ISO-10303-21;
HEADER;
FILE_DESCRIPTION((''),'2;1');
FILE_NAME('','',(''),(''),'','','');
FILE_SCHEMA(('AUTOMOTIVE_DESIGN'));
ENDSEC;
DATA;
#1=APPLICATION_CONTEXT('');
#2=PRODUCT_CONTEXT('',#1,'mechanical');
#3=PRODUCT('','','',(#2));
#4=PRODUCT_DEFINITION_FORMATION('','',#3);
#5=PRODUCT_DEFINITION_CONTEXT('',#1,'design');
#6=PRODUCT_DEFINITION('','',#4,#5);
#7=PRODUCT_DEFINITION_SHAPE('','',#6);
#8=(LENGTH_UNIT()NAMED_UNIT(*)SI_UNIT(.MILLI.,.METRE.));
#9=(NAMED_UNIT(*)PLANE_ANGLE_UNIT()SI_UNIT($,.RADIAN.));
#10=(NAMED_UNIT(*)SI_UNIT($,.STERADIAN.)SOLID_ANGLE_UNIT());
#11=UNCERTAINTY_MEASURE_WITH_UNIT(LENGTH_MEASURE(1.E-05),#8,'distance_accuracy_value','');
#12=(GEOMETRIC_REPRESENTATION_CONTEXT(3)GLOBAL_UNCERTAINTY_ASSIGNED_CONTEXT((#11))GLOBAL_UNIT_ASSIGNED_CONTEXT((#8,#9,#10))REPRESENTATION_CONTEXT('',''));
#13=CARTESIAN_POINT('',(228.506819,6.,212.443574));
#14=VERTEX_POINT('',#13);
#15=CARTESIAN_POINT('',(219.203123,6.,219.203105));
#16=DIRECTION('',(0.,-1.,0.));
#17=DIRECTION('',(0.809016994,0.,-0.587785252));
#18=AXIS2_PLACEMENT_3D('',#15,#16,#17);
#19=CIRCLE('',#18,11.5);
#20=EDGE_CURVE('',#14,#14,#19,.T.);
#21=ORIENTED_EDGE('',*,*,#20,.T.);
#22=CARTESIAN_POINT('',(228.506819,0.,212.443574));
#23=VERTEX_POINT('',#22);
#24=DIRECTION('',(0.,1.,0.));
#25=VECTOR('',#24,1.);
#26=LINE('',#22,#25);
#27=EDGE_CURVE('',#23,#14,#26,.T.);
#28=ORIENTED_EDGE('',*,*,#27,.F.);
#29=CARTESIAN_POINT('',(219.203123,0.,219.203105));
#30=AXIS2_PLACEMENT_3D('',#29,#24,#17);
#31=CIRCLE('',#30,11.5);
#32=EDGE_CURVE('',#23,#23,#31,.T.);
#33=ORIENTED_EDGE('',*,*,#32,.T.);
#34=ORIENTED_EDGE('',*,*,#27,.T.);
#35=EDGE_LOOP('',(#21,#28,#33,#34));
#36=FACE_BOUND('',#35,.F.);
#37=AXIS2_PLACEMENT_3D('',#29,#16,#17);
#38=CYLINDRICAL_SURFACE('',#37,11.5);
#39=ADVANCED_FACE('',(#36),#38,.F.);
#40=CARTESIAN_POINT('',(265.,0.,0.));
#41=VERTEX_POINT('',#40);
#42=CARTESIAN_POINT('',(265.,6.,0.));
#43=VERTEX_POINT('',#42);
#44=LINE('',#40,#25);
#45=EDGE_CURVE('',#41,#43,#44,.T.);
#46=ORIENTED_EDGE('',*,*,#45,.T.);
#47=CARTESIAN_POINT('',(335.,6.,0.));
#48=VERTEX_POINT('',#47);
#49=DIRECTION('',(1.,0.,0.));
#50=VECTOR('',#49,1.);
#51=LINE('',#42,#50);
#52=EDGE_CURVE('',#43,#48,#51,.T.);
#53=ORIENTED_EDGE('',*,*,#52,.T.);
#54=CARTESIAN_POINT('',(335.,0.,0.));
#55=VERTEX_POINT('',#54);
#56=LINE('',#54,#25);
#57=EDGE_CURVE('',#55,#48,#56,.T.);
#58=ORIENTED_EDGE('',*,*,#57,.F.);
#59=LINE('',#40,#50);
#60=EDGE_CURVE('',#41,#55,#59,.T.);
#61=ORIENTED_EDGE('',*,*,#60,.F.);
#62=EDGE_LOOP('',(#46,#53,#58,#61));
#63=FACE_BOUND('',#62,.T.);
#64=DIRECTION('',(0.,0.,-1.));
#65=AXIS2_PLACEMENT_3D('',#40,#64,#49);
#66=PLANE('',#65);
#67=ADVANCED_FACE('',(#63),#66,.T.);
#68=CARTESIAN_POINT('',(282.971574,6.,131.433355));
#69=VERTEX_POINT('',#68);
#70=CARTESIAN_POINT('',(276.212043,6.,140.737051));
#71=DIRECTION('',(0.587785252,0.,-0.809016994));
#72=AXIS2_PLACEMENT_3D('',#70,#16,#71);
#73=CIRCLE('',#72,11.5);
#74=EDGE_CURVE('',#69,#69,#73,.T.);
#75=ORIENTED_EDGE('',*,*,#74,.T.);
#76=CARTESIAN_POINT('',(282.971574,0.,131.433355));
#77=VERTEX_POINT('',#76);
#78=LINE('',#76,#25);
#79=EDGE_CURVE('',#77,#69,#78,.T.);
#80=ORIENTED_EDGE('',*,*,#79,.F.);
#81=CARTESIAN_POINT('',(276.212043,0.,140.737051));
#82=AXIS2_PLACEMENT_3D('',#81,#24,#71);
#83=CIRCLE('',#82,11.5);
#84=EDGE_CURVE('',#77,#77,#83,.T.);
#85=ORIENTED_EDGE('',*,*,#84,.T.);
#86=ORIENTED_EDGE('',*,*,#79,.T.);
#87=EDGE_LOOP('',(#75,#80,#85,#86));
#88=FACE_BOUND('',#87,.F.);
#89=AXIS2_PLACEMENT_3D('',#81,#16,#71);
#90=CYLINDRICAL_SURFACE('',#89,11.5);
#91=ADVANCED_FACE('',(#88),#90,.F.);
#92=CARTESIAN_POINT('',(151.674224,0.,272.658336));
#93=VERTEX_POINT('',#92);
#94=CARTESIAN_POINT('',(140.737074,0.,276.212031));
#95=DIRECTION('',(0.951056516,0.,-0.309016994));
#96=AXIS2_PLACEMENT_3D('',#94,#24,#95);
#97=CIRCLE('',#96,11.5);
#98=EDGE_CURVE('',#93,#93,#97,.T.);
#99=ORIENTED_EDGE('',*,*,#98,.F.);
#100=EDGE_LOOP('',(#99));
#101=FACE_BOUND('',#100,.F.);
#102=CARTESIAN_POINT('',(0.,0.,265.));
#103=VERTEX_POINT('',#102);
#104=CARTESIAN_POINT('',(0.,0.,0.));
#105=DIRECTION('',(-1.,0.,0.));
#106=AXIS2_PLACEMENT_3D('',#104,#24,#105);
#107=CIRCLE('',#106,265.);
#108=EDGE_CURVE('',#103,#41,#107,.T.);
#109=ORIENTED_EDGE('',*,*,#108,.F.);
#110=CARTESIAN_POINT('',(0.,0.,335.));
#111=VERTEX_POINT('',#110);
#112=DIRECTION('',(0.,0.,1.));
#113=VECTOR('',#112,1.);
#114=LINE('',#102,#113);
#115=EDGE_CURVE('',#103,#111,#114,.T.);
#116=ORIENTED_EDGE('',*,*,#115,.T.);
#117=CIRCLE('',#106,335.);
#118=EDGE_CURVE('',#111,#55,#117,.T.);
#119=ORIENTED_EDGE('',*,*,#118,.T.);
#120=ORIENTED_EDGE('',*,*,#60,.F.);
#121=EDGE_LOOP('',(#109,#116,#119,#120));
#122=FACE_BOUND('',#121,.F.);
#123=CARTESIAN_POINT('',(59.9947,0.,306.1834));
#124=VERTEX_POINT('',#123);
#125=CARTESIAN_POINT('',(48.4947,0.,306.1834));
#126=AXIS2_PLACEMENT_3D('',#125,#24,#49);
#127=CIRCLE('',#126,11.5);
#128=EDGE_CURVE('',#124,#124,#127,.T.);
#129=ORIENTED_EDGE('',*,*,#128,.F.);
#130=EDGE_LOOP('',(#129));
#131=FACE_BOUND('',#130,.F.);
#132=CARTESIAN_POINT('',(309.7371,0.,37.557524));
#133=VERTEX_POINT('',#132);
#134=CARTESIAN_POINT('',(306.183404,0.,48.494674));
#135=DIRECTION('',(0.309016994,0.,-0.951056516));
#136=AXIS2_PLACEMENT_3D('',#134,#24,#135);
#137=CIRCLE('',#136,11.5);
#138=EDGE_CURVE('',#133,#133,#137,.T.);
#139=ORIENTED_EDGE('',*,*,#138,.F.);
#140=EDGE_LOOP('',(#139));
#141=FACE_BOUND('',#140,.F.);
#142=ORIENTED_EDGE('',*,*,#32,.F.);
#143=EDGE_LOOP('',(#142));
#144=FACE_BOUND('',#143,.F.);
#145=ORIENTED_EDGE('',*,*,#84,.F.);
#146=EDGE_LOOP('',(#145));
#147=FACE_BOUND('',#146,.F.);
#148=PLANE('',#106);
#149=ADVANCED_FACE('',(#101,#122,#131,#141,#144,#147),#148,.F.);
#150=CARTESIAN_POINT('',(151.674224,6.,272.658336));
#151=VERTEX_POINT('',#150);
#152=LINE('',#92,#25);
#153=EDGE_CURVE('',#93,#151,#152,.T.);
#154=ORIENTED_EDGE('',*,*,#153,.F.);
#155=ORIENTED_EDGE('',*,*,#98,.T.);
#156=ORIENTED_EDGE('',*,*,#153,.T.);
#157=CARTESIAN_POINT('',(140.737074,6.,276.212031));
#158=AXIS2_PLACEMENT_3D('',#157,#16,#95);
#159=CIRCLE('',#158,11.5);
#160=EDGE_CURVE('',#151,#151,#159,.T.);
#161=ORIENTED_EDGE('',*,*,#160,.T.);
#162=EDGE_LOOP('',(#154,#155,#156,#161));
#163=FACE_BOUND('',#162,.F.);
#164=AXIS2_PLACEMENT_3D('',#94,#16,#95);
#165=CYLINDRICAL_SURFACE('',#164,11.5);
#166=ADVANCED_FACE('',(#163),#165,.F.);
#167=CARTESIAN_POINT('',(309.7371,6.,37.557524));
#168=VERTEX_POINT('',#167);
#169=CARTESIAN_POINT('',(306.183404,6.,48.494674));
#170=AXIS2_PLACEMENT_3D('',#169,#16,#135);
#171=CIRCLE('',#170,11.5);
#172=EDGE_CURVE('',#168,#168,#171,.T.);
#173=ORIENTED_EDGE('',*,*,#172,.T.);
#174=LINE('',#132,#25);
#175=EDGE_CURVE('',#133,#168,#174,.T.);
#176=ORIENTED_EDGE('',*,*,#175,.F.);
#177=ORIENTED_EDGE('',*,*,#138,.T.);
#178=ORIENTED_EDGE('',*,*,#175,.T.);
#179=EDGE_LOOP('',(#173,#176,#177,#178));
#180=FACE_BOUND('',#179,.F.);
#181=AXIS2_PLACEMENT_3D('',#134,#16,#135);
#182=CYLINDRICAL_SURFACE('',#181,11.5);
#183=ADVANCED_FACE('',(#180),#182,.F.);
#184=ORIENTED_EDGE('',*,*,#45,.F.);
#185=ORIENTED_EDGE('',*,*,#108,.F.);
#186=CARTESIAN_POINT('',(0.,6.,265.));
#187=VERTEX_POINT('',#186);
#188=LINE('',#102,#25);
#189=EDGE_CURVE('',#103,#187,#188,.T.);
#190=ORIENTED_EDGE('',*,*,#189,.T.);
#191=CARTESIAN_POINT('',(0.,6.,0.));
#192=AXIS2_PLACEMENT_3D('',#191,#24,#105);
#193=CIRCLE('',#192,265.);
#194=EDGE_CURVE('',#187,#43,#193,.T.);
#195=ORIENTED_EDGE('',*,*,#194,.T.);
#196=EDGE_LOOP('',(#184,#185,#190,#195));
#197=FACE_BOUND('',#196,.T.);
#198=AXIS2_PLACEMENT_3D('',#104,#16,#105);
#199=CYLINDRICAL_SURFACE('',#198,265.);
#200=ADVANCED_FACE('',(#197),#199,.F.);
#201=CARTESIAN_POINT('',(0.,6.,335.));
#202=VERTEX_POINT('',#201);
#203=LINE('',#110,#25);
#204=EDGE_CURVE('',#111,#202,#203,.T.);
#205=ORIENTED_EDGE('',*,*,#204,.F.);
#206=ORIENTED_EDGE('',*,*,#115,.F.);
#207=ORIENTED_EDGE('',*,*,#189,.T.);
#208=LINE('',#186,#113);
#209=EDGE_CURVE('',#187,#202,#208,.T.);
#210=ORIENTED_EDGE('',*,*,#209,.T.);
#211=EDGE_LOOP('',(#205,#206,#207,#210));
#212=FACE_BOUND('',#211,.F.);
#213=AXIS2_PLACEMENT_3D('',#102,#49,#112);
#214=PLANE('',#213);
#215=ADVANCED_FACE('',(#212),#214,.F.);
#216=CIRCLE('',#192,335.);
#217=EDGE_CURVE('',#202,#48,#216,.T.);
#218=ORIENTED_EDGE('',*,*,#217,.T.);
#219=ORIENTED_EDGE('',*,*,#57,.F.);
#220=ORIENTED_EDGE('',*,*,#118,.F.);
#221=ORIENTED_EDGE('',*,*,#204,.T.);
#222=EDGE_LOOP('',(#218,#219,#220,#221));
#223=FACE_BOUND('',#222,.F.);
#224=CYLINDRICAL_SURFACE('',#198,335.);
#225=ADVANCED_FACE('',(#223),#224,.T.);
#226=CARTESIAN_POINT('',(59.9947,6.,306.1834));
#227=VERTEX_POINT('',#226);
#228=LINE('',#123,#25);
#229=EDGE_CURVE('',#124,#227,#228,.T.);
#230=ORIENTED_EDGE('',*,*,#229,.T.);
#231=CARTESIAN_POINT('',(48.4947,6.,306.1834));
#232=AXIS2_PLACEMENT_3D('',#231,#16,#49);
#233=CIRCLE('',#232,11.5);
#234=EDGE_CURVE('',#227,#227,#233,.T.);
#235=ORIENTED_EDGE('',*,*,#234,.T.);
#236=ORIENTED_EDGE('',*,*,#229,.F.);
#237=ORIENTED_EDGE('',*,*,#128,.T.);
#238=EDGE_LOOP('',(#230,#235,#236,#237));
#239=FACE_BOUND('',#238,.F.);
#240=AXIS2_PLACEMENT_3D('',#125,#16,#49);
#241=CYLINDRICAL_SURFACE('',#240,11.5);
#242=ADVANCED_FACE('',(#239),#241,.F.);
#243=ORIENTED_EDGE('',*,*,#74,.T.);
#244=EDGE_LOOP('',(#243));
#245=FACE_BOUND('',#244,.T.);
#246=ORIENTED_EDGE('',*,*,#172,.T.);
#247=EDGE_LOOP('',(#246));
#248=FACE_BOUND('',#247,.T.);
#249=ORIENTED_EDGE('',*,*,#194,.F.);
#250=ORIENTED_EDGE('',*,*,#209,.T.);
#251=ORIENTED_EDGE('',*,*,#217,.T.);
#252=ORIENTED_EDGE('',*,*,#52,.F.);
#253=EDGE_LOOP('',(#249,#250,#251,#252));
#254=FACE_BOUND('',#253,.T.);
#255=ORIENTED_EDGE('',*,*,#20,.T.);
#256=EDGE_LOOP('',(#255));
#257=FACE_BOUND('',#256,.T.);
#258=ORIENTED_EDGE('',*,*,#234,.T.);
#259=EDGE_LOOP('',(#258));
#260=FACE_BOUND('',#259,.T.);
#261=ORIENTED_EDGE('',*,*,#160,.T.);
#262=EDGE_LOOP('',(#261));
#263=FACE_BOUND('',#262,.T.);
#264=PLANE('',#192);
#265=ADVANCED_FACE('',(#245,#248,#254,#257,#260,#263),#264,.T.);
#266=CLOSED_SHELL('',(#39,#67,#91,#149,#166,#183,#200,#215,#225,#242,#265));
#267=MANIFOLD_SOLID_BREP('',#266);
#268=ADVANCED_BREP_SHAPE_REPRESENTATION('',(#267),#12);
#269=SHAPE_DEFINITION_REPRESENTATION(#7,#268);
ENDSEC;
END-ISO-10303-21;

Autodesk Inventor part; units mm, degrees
ref_plane "YZ Plane" through (0, 0, 0) normal (1, 0, 0) x (0, 1, 0)
ref_plane "XZ Plane" through (0, 0, 0) normal (0, 1, 0) x (-1, 0, 0)
ref_plane "XY Plane" through (0, 0, 0) normal (0, 0, 1) x (1, 0, 0)
sketch "Sketch1" plane through (0, 0, 0) normal (0, 1, 0) x (-1, 0, 0)
  circle A0 centre (0, 0) radius 265
  circle A1 centre (0, 0) radius 335
  line L0 (335, 0) -> (265, 0)
  line L1 (-265, 0) -> (-335, 0)
  line L2 (0, 265) -> (0, 335)
  point P0 (300, 0)
  point P1 (-300, 0)
  point P2 (0, 300)
  dimension "d1" = 670
  dimension "d4" = 530
extrude "Extrusion1" add sketch "Sketch1" along normal blind 6 contours A0 L1 A1 L2
sketch "Sketch2" plane through (0, 0, 0) normal (0, -1, 0) x (1, 0, 0)
  arc A0 (335, 0) -> (0, 335) centre (0, 0) ccw projected
  line L0 (0, 265) -> (0, 335) projected
  arc A1 (265, 0) -> (0, 265) centre (0, 0) ccw projected
  line L1 (335, 0) -> (265, 0) projected
  circle A2 centre (48.4947, 306.1834) radius 11.5
  arc A3 (265, 0) -> (0, 265) centre (0, 0) ccw projected
  line L2 (48.4947, 306.1834) -> (0, 0)
  dimension "d5" = 310
  dimension "d6" = 9
  dimension "d7" = 23
extrude "Cut1" cut sketch "Sketch2" against normal blind 6 contours A2
pattern_circular "Circular Pattern1" count 20 over 360 about axis through (0, 0, 0) along (0, 1, 0) of "Cut1"
equation "\"d4\" = Accsess_hatch_diameter"
equation "\"d9\" = Thickness"
equation "\"BendRadius\" = Thickness"
equation "\"BendReliefWidth\" = Thickness"
equation "\"BendReliefDepth\" = 0.5 * Thickness"
equation "\"CornerReliefSize\" = 4 * Thickness"
equation "\"MinimumRemnant\" = 2 * Thickness"
equation "\"TransitionRadius\" = BendRadius"
equation "\"JacobiRadiusSize\" = BendRadius"
equation "\"GapSize\" = Thickness"
equation "\"d8\" = Thickness"
equation "\"Accsess_hatch_diameter\" = 530"
equation "\"Thickness\" = 6"
properties part number "PNS-712 accses hatch flangeipt" material "Steel"
